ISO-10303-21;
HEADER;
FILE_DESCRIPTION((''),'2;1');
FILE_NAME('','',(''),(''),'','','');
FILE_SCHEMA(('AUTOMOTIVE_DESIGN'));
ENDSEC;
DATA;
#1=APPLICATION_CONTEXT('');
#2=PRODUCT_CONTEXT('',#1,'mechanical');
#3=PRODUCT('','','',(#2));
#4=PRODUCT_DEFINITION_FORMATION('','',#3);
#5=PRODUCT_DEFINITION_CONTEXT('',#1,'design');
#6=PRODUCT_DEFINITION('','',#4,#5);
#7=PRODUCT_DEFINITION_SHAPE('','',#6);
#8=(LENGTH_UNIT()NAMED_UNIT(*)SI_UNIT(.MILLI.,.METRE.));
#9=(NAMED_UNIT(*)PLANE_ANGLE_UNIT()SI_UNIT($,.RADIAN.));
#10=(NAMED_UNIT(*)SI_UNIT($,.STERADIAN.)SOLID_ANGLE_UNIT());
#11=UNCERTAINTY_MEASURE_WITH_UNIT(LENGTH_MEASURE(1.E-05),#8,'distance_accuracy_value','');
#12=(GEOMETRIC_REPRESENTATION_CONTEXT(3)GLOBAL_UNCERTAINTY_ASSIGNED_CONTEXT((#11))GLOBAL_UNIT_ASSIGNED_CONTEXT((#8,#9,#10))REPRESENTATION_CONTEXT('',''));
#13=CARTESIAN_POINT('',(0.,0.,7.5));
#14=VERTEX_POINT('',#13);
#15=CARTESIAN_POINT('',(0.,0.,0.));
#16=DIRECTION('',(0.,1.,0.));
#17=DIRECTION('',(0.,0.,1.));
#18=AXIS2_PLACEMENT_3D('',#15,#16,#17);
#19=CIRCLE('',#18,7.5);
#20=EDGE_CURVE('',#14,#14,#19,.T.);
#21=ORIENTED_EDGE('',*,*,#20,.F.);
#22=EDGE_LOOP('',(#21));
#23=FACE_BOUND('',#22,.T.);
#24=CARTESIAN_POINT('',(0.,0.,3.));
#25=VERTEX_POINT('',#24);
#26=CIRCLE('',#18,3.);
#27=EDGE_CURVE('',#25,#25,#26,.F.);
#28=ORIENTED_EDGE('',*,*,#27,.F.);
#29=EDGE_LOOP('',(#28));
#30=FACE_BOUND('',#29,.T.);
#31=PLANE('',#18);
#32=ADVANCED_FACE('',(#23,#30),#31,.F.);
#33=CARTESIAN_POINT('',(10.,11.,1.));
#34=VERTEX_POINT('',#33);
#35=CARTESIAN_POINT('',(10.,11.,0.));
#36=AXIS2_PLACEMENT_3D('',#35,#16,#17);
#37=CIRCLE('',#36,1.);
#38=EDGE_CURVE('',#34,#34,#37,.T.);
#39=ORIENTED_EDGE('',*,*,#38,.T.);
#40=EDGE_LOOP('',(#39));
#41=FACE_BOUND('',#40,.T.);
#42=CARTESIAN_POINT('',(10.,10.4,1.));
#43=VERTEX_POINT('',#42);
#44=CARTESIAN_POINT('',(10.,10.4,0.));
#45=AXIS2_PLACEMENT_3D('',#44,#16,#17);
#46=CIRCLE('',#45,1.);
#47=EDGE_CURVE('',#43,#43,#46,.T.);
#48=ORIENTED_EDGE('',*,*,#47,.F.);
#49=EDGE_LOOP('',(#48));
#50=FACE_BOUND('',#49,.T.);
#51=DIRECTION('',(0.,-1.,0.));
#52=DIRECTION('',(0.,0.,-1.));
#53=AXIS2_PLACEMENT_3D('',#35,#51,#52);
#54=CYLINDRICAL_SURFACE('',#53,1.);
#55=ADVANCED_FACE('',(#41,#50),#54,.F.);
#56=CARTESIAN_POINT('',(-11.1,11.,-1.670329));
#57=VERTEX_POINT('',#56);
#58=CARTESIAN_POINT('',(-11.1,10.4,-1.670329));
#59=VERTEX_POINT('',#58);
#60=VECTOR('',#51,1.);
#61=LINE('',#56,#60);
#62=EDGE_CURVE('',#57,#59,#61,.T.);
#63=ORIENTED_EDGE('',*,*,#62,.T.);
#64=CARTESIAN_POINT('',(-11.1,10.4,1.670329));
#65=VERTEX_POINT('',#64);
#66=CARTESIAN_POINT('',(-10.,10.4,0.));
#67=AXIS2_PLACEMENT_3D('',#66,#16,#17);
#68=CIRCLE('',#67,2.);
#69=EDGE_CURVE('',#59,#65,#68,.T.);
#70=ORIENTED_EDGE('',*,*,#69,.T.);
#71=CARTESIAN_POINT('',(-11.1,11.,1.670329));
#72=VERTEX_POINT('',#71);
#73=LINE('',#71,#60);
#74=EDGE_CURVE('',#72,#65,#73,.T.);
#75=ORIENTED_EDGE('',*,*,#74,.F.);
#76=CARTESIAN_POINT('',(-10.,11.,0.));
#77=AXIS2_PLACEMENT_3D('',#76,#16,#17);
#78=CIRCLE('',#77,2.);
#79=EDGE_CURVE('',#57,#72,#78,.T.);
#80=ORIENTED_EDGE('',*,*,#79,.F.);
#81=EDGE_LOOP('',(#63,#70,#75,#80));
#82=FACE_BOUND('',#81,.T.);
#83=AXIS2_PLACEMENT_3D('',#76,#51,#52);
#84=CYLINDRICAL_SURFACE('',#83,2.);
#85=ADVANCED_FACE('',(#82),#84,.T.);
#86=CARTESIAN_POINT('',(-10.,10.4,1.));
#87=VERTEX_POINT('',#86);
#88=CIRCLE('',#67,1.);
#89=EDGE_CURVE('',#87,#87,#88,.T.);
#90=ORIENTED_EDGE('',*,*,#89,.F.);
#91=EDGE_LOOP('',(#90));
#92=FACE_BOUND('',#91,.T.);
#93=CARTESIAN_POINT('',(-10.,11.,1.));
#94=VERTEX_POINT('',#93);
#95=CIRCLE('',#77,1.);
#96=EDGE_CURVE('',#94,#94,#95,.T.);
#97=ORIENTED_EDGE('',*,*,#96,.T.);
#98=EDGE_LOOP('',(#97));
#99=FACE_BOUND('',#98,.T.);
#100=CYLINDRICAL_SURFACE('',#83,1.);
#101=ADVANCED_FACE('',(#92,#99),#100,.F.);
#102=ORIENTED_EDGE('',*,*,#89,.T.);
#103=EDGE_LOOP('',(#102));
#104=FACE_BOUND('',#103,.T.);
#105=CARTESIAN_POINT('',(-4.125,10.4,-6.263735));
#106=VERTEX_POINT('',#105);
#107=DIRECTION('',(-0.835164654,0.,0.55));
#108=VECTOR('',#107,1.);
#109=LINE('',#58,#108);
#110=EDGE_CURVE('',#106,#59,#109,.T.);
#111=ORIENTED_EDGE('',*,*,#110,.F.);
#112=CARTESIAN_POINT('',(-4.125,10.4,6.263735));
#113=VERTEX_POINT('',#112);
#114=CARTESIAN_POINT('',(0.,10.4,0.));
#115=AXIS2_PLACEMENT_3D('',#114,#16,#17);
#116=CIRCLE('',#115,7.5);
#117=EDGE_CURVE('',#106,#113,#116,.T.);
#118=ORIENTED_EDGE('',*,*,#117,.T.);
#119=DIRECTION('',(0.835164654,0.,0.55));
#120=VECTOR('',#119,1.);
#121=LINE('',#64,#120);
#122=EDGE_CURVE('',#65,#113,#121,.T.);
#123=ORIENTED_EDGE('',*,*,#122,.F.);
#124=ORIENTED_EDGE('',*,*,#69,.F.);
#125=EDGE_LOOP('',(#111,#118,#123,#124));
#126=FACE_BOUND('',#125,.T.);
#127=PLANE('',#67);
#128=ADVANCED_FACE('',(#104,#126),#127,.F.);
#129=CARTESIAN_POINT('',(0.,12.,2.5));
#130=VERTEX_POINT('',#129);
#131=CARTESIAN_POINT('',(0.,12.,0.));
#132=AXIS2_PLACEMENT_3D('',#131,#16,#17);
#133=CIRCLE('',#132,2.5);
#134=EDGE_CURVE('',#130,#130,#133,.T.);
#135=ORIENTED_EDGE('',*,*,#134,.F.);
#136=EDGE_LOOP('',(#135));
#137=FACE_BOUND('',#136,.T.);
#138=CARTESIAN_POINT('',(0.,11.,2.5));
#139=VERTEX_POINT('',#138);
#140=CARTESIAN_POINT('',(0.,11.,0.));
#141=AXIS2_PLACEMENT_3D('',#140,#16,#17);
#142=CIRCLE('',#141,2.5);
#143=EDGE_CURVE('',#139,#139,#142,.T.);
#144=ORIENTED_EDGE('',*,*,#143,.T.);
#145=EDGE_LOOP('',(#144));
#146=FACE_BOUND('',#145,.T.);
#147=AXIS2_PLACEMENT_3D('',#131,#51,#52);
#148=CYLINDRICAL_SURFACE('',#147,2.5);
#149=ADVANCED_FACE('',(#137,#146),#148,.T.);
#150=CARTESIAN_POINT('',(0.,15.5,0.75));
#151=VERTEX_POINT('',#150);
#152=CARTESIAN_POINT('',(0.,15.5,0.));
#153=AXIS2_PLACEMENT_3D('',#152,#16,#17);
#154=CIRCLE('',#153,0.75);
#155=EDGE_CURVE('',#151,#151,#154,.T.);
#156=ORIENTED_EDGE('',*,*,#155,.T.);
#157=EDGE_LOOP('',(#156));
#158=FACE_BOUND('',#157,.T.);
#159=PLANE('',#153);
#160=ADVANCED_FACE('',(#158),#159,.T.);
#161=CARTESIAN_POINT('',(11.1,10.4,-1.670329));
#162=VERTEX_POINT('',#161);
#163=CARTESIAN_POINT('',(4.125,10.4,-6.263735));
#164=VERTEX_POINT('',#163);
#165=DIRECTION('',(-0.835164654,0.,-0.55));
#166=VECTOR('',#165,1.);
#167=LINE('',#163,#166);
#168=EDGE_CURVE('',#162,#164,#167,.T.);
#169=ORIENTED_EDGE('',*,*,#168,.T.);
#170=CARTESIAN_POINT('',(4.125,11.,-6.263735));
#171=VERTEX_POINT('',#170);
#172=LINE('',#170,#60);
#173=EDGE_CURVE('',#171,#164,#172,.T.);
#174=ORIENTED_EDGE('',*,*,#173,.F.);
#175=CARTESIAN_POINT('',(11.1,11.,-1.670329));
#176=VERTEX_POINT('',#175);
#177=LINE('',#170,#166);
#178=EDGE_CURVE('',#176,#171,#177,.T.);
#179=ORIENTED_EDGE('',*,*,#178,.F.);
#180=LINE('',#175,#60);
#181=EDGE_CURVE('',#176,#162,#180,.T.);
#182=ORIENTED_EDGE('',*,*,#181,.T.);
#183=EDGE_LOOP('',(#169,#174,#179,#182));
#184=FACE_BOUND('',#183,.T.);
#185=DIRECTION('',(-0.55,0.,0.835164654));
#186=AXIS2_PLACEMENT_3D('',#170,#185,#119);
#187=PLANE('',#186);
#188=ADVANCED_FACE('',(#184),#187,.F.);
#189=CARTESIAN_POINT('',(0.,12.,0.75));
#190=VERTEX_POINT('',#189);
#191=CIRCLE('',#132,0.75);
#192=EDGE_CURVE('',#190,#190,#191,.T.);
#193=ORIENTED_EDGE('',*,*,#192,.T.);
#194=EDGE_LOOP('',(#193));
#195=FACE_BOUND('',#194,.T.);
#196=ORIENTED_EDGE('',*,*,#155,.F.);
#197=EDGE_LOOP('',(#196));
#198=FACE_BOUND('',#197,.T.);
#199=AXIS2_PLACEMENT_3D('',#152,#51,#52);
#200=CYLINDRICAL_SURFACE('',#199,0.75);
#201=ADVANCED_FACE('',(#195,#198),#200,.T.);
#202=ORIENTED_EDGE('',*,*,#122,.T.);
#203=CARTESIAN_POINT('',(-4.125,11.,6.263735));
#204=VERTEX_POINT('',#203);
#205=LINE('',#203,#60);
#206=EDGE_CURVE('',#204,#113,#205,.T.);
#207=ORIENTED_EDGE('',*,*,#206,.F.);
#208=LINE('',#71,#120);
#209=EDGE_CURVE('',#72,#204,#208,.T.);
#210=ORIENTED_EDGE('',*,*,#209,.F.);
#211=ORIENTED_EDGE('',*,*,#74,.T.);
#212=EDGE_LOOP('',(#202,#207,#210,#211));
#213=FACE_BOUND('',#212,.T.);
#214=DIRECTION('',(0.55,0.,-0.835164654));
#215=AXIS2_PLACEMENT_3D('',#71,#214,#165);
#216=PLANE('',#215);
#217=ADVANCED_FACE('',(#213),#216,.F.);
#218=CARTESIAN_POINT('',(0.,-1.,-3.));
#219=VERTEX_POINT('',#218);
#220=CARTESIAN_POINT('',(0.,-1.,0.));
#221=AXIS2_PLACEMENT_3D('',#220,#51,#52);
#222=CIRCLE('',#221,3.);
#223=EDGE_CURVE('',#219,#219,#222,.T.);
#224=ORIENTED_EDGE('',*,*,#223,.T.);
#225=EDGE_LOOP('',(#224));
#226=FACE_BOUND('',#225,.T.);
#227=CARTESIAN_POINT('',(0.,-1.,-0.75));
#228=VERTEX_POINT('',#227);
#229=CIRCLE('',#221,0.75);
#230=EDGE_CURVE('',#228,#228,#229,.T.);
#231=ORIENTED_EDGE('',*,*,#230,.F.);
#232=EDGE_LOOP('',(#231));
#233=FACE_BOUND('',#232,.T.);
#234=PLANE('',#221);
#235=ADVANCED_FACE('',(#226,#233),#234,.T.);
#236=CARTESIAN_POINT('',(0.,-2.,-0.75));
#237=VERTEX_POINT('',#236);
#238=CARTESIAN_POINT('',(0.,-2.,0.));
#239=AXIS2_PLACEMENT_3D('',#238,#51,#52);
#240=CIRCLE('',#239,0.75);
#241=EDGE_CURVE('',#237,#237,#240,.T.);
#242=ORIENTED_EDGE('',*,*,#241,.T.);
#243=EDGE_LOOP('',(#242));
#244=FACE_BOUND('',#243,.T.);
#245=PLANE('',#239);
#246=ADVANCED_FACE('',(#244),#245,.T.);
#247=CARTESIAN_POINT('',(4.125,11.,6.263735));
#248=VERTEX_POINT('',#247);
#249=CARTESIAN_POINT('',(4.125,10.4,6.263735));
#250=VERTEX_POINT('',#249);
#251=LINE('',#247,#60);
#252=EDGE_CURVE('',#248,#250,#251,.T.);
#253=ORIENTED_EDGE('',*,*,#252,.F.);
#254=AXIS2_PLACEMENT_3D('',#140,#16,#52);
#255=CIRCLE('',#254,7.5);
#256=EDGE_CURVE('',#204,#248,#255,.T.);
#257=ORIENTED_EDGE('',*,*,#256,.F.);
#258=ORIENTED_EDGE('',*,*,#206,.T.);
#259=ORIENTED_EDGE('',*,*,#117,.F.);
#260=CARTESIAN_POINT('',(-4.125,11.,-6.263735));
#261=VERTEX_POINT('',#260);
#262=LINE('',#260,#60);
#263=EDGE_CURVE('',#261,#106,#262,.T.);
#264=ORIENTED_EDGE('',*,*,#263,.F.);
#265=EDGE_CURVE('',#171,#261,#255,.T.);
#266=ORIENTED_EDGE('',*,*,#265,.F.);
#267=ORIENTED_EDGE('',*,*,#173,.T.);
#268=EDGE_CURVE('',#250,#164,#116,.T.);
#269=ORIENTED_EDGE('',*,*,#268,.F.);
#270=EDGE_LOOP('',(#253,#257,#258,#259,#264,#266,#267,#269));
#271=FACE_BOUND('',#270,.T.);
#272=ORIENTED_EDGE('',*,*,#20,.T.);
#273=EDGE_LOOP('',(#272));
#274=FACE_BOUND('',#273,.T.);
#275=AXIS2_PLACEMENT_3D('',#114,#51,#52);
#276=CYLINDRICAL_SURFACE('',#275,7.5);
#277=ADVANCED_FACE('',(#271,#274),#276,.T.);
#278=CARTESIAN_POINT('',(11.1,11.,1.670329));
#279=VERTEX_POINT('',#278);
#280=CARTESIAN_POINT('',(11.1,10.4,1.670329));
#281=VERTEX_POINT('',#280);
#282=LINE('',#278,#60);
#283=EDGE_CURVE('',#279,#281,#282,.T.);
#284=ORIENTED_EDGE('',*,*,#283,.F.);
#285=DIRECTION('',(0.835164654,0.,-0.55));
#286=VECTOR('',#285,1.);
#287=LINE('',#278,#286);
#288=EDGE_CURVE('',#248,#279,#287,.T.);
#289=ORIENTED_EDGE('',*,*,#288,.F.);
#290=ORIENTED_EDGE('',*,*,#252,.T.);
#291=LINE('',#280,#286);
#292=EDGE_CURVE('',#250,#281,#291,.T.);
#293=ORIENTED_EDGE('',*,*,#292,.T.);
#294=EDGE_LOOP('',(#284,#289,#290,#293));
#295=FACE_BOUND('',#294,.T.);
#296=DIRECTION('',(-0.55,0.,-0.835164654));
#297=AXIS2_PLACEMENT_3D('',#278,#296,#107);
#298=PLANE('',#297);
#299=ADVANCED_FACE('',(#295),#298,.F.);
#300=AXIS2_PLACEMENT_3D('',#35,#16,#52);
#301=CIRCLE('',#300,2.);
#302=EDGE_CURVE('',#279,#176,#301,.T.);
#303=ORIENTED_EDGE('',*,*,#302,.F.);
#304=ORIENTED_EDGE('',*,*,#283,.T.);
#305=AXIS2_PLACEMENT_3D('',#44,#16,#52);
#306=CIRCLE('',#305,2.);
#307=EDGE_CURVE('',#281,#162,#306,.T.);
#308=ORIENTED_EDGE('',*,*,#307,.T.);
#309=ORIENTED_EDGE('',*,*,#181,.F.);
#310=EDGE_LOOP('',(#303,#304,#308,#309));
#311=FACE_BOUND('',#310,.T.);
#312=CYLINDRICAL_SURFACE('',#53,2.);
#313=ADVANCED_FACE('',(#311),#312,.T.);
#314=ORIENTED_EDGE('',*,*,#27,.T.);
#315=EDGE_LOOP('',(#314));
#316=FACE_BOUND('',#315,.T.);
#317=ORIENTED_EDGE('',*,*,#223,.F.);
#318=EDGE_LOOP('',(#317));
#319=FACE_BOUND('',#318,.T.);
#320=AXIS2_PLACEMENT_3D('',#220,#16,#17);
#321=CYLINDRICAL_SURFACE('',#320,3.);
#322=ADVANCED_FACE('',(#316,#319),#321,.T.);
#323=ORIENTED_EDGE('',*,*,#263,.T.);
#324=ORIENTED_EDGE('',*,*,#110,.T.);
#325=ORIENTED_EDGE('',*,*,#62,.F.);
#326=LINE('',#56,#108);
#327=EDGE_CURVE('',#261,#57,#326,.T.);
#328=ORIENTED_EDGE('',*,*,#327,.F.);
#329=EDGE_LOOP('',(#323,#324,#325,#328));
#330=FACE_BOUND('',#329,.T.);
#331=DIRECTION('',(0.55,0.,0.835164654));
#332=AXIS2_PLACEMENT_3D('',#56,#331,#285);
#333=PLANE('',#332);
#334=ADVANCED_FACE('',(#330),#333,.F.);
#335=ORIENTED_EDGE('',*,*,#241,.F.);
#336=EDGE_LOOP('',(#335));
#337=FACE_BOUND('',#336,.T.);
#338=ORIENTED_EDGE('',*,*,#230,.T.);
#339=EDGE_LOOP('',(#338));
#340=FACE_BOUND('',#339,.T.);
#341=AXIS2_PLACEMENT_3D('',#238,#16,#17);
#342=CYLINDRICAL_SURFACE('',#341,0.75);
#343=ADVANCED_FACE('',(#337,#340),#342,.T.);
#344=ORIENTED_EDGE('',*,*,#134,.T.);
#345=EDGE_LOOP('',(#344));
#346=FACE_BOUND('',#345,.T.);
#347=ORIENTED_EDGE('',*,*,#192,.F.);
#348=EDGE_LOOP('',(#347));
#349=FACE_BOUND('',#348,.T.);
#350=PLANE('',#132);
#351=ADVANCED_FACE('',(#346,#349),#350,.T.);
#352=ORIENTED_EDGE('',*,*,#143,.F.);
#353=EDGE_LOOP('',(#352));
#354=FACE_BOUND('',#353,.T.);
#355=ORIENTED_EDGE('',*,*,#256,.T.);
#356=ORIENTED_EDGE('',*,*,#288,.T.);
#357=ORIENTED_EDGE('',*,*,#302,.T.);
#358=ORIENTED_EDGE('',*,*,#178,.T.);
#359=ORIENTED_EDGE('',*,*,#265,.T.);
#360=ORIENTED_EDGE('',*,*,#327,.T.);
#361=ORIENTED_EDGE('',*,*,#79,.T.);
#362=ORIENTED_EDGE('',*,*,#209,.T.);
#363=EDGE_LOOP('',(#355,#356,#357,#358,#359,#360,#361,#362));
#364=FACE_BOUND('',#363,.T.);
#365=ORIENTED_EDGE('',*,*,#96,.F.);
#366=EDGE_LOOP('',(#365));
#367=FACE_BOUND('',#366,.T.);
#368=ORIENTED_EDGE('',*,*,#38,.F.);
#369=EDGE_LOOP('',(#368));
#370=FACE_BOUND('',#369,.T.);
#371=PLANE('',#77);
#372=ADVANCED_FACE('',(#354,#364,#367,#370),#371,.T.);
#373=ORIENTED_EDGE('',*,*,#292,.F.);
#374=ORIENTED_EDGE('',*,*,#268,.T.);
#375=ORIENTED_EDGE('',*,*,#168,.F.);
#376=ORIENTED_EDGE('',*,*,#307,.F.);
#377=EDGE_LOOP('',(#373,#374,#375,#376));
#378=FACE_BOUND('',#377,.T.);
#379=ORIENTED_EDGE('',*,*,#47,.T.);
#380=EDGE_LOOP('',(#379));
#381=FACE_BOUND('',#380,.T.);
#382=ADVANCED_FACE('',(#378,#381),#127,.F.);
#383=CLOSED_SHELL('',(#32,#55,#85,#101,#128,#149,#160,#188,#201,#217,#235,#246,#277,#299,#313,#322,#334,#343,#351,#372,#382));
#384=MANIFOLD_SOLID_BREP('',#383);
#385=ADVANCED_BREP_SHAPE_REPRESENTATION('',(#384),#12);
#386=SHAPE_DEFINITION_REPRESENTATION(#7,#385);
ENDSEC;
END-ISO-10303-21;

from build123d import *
from build123d.topology import SkipClean

# Parameters (mm, degrees)
SKETCH1_R           = 7.5
BOSS_EXTRUDE1_DEPTH = 10.4
SKETCH2_R           = 3
BOSS_EXTRUDE2_DEPTH = 1
SKETCH3_R           = 1
BOSS_EXTRUDE3_DEPTH = 0.6
SKETCH4_R           = 2.5
BOSS_EXTRUDE4_DEPTH = 1
SKETCH5_R           = 0.75
BOSS_EXTRUDE5_DEPTH = 3.5
BOSS_EXTRUDE6_START = 1
SKETCH6_R           = 0.75
BOSS_EXTRUDE6_DEPTH = 1


with BuildPart() as part:
    # Sketch1 → Boss-Extrude1 (new body)
    with BuildSketch(Plane(origin=(0, 0, 0), x_dir=(1, 0, 0), z_dir=(0, 1, 0))):
        with Locations(Location((0, 0, 0), (0, 0, 270))):
            Circle(SKETCH1_R)
    extrude(amount=BOSS_EXTRUDE1_DEPTH)

    # Sketch2 → Boss-Extrude2 (add)
    with BuildSketch(Plane.XZ):
        with Locations(Location((0, 0, 0), (0, 0, 90))):
            Circle(SKETCH2_R)
    extrude(amount=BOSS_EXTRUDE2_DEPTH)

    # Sketch3 → Boss-Extrude3 (add)
    with SkipClean():  # the faces are left unmerged after this step: merging them gives an invalid solid
        with BuildSketch(Plane(origin=(0, 10.4, 0), x_dir=(1, 0, 0), z_dir=(0, 1, 0))):
            with BuildLine():
                Line((-11.1, 1.670329309), (-4.125, 6.263734908))
                ThreePointArc((-4.125, 6.263734908), (0, 7.5), (4.125, 6.263734908))
                Line((4.125, 6.263734908), (11.1, 1.670329309))
                ThreePointArc((11.1, 1.670329309), (12, 0), (11.1, -1.670329309))
                Line((11.1, -1.670329309), (4.125, -6.263734908))
                ThreePointArc((4.125, -6.263734908), (0, -7.5), (-4.125, -6.263734908))
                Line((-4.125, -6.263734908), (-11.1, -1.670329309))
                ThreePointArc((-11.1, -1.670329309), (-12, 0), (-11.1, 1.670329309))
            make_face()
            with Locations(Location((-10, 0, 0), (0, 0, 270))):
                Circle(SKETCH3_R, mode=Mode.SUBTRACT)
            with Locations(Location((10, 0, 0), (0, 0, 270))):
                Circle(SKETCH3_R, mode=Mode.SUBTRACT)
        extrude(amount=BOSS_EXTRUDE3_DEPTH)

    # Sketch4 → Boss-Extrude4 (add)
    with SkipClean():  # the faces are left unmerged after this step: merging them gives an invalid solid
        with BuildSketch(Plane(origin=(0, 11, 0), x_dir=(1, 0, 0), z_dir=(0, 1, 0))):
            with Locations(Location((0, 0, 0), (0, 0, 270))):
                Circle(SKETCH4_R)
        extrude(amount=BOSS_EXTRUDE4_DEPTH)

    # Sketch5 → Boss-Extrude5 (add)
    with SkipClean():  # the faces are left unmerged after this step: merging them gives an invalid solid
        with BuildSketch(Plane(origin=(0, 12, 0), x_dir=(1, 0, 0), z_dir=(0, 1, 0))):
            with Locations(Location((0, 0, 0), (0, 0, 270))):
                Circle(SKETCH5_R)
        extrude(amount=BOSS_EXTRUDE5_DEPTH)

    # Sketch6 → Boss-Extrude6 (add)
    with SkipClean():  # the faces are left unmerged after this step: merging them gives an invalid solid
        with BuildSketch(Plane.XZ.offset(1).offset(BOSS_EXTRUDE6_START)):
            with Locations(Location((0, 0, 0), (0, 0, 90))):
                Circle(SKETCH6_R)
        extrude(amount=-BOSS_EXTRUDE6_DEPTH)


solid = part.part
